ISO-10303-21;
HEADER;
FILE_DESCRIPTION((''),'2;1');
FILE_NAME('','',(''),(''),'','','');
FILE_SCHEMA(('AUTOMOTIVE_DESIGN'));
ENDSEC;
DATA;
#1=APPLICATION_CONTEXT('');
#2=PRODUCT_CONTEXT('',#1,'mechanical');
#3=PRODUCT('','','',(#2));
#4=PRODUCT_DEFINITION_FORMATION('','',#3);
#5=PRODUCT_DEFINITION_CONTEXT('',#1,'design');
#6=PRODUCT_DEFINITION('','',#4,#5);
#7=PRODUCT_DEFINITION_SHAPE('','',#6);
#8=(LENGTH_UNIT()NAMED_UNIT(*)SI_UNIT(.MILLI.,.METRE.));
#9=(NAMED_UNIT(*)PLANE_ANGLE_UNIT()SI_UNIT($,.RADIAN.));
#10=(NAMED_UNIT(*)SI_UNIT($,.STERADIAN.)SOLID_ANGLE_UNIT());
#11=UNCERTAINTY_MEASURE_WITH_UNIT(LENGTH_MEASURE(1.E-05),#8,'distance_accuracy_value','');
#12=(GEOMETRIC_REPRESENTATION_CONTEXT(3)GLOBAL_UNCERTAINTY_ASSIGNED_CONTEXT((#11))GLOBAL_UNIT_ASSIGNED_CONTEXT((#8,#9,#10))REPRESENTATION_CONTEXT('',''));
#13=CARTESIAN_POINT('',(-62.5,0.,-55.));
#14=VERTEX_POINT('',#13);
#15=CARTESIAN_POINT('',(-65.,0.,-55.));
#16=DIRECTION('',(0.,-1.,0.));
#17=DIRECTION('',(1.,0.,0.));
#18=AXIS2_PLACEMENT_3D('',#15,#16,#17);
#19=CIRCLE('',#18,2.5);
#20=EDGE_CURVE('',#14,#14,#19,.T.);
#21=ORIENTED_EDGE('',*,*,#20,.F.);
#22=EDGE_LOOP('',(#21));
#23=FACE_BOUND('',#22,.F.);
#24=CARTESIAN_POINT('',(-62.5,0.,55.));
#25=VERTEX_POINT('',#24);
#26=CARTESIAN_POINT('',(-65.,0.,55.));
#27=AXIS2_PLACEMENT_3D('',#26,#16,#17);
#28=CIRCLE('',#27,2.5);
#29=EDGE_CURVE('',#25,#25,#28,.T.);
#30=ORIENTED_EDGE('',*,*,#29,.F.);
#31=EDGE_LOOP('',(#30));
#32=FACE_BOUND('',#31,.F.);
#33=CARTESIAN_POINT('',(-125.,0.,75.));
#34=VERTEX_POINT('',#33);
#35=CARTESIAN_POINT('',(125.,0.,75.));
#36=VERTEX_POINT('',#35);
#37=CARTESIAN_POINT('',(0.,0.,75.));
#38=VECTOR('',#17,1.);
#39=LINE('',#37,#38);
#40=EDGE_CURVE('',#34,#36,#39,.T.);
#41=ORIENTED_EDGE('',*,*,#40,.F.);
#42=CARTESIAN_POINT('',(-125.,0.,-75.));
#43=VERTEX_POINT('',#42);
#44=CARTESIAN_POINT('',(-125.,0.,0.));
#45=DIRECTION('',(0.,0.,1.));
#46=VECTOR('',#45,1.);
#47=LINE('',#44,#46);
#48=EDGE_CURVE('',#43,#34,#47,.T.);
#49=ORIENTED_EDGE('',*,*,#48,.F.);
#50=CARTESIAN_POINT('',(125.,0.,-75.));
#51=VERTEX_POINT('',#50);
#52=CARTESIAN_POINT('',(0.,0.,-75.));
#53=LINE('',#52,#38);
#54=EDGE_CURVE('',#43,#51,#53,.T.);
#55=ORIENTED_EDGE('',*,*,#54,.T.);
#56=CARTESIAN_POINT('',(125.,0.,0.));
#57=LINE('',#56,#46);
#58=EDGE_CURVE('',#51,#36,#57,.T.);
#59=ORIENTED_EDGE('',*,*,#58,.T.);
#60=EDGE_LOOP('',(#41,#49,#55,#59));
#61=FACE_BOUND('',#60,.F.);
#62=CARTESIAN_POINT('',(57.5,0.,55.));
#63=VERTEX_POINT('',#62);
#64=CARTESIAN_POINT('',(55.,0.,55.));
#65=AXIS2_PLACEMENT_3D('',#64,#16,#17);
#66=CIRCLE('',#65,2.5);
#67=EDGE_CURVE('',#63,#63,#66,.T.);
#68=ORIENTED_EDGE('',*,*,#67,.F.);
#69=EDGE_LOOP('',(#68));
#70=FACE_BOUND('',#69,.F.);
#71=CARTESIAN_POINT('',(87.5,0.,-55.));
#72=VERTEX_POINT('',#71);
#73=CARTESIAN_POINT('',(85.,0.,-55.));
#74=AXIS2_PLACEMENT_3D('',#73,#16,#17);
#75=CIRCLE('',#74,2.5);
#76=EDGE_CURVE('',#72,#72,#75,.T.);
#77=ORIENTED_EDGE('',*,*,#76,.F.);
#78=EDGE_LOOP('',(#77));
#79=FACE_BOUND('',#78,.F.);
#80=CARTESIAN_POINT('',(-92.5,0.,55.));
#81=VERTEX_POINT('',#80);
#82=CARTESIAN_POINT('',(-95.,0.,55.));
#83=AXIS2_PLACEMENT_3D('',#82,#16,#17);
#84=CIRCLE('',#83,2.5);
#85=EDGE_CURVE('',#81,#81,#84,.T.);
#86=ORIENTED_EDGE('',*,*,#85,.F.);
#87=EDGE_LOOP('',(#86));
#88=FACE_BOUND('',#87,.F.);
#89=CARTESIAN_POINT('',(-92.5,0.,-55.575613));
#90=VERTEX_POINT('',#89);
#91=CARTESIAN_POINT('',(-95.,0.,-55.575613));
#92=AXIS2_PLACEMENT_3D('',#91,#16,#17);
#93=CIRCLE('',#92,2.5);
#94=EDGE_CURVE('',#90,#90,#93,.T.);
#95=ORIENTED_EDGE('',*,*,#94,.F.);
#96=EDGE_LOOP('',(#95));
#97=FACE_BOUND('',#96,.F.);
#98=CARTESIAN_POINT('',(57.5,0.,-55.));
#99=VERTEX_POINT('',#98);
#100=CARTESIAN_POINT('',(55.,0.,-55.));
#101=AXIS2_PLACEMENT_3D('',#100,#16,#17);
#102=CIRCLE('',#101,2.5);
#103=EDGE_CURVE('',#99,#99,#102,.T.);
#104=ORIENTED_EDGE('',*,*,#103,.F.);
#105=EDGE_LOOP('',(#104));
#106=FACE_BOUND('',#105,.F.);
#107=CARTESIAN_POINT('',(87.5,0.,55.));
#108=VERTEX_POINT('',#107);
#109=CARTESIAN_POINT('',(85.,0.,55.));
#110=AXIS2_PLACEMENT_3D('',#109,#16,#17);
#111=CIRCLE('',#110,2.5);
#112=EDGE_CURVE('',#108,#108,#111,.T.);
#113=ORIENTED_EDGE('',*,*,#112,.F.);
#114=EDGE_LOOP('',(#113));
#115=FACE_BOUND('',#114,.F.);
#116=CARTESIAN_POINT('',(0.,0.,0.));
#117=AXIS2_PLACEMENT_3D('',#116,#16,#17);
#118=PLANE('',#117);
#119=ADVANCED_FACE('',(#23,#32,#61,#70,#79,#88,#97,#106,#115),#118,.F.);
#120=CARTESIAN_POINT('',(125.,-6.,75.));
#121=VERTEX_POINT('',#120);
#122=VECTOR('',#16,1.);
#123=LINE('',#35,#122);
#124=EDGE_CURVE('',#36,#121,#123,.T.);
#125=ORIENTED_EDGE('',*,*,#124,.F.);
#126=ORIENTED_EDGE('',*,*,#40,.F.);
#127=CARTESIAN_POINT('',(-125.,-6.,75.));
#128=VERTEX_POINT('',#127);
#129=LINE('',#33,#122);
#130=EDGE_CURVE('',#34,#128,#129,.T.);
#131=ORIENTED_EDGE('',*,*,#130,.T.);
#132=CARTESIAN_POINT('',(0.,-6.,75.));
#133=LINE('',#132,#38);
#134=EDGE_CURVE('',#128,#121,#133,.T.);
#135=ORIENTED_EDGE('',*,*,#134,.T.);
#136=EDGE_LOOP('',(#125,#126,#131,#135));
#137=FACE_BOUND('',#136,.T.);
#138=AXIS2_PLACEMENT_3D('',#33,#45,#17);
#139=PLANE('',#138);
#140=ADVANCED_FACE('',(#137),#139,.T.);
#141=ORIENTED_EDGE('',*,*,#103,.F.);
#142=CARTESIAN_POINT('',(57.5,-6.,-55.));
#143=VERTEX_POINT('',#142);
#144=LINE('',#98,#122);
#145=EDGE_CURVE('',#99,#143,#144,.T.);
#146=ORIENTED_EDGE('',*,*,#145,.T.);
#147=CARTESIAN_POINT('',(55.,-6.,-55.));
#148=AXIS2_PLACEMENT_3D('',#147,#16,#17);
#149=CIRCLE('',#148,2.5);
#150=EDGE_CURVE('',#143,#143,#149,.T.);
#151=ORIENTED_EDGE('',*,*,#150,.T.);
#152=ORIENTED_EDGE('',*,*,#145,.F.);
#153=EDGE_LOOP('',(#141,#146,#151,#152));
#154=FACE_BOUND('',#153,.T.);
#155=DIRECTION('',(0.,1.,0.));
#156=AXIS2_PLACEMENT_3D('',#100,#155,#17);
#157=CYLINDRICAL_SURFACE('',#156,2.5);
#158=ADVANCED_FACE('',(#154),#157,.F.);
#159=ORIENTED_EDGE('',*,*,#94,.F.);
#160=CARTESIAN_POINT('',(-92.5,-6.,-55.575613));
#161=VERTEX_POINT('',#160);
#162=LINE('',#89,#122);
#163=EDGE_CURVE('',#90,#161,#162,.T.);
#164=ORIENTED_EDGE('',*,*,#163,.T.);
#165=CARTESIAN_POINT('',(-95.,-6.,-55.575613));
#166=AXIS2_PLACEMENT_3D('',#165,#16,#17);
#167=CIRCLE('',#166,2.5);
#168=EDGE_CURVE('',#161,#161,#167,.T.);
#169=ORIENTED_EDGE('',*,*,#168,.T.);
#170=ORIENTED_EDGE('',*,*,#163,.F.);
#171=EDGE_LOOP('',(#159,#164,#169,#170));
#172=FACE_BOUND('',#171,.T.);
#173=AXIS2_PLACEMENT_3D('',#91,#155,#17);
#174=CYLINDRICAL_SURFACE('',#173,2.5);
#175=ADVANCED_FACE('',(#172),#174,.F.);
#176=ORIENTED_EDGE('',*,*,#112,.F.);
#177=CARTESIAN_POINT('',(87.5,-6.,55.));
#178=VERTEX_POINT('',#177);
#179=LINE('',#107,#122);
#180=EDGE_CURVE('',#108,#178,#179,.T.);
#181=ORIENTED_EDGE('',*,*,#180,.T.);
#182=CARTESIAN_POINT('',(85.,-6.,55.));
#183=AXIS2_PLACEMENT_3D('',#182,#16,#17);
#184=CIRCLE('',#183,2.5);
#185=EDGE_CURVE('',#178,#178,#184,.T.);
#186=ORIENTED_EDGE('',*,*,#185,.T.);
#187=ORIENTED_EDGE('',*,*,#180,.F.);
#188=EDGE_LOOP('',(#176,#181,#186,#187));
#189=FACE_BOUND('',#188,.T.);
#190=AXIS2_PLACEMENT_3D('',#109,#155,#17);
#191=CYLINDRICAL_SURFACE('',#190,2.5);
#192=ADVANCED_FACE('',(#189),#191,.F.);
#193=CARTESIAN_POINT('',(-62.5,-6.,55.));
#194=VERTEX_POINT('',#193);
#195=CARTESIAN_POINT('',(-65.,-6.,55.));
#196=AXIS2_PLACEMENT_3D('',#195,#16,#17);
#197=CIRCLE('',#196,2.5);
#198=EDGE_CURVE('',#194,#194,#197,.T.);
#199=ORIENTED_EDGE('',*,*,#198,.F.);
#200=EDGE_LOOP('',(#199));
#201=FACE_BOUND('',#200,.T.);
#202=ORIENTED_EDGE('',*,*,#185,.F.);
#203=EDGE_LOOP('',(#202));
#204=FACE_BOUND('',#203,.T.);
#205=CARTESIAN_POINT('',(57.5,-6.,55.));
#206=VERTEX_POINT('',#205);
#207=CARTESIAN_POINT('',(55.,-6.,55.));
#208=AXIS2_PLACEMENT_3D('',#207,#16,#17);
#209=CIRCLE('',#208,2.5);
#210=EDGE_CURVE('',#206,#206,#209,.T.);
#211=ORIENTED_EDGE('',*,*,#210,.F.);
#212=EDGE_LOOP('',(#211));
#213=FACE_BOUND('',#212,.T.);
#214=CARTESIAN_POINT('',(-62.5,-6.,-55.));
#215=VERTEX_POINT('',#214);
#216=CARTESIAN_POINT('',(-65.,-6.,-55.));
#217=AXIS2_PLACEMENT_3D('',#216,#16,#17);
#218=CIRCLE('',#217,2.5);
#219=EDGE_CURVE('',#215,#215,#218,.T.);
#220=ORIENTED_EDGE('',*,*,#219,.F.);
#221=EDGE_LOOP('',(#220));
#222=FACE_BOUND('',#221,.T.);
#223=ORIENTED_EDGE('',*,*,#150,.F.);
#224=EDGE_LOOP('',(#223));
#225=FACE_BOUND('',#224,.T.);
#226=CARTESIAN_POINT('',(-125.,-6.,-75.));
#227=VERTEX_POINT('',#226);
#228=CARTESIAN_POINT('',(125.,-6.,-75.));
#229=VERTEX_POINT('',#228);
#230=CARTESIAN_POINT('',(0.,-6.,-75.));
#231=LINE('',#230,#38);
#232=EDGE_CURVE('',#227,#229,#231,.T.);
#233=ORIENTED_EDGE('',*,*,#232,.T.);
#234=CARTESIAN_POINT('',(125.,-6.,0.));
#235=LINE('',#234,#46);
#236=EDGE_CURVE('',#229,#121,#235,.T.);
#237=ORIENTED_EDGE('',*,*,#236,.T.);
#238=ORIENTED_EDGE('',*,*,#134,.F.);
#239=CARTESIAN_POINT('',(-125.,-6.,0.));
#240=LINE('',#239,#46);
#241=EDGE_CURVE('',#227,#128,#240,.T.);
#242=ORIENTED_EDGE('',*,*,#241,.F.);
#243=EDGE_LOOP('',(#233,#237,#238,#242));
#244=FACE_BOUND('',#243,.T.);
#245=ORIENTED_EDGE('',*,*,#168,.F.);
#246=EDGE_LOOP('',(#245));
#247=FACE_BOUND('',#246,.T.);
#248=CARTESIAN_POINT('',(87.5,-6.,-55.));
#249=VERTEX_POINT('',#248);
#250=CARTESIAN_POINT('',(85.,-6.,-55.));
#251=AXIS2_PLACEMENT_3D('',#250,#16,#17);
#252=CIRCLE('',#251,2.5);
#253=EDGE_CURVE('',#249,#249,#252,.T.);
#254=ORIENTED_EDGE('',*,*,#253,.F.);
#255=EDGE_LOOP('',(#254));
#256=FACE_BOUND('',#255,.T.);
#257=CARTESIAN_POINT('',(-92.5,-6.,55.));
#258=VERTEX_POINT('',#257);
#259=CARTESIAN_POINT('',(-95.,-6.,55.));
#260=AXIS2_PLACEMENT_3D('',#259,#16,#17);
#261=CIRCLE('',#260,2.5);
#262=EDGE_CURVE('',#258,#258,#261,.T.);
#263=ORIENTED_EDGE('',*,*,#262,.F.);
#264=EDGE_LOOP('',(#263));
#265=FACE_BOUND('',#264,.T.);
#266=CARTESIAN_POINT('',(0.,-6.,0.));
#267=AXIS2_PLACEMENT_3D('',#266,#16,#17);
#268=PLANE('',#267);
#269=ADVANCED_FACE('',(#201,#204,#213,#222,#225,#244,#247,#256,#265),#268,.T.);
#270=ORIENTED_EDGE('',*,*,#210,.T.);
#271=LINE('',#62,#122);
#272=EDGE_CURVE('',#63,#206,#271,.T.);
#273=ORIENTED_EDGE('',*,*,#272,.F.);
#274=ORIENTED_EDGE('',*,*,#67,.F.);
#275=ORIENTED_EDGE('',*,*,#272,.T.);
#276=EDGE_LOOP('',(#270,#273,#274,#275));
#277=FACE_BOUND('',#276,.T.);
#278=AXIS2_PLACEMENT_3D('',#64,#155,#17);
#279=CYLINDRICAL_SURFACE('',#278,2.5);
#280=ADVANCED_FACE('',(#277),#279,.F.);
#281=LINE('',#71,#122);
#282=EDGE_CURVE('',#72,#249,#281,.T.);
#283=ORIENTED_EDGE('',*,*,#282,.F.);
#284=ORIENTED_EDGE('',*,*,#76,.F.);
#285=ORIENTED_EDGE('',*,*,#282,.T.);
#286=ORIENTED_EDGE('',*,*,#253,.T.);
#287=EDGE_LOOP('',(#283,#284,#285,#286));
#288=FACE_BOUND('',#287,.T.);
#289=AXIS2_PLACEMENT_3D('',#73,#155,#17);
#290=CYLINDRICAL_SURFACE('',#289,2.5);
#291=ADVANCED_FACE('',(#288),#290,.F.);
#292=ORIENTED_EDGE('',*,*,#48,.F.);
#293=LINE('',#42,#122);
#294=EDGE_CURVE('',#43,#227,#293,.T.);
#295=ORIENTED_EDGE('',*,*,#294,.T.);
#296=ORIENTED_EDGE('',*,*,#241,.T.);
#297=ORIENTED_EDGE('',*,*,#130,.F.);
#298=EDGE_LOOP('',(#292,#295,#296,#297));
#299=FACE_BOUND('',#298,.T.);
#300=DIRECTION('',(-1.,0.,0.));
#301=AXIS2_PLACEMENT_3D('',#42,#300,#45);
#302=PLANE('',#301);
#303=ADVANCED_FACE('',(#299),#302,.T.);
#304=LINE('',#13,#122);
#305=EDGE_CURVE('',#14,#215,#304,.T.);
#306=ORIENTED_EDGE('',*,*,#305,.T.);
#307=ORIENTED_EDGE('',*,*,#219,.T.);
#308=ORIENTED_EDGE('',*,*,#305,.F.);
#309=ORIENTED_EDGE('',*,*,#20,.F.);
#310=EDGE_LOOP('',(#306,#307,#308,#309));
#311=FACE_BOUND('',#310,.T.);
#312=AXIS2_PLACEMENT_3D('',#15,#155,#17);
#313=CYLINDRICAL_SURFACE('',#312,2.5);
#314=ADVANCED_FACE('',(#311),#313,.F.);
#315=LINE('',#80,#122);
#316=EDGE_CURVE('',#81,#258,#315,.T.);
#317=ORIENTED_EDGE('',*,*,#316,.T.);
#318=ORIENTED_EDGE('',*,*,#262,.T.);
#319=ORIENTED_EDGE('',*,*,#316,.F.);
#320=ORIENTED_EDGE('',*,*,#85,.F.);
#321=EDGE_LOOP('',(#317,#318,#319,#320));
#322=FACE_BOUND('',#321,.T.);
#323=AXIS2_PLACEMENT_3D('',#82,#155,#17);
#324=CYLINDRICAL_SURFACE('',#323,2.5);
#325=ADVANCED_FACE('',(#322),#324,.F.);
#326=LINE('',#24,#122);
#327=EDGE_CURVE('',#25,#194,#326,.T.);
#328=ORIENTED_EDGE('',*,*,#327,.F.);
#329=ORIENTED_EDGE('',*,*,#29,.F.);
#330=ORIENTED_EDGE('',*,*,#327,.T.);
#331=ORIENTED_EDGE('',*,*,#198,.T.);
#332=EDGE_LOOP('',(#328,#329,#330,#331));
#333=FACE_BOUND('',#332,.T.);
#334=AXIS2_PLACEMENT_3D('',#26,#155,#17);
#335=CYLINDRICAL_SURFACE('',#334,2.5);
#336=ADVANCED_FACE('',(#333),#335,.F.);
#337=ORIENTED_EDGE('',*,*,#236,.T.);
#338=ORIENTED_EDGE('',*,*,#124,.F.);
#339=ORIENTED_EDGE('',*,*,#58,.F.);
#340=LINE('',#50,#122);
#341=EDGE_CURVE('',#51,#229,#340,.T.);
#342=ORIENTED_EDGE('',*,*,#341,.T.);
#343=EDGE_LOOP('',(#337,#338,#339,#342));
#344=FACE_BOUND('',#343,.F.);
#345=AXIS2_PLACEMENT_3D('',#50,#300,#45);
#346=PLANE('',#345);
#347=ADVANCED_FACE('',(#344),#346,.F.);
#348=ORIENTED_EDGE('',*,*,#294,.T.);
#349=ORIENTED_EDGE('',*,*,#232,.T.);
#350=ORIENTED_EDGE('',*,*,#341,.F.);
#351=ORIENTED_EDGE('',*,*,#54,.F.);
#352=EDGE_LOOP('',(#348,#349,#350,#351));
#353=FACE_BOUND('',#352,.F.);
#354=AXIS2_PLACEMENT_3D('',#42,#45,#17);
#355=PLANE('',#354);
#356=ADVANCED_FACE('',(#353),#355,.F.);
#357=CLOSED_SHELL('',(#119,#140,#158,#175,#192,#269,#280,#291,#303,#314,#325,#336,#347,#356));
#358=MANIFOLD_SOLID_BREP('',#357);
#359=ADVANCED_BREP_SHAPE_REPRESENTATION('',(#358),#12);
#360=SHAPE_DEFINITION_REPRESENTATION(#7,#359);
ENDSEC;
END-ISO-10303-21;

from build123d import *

# Parameters (mm, degrees)
F1_W     = 250
F1_H     = 150
F1_R     = 2.5
F2_DEPTH = 6


with BuildPart() as f2:
    # F1 (on face) → F2 (new body)
    with BuildSketch(Plane.XZ):
        Rectangle(F1_W, F1_H)
        with Locations((-95, -55.575613)):
            Circle(F1_R, mode=Mode.SUBTRACT)
        with Locations((-65, -55)):
            Circle(F1_R, mode=Mode.SUBTRACT)
        with Locations((55, -55)):
            Circle(F1_R, mode=Mode.SUBTRACT)
        with Locations((85, -55)):
            Circle(F1_R, mode=Mode.SUBTRACT)
        with Locations((-95, 55)):
            Circle(F1_R, mode=Mode.SUBTRACT)
        with Locations((-65, 55)):
            Circle(F1_R, mode=Mode.SUBTRACT)
        with Locations((55, 55)):
            Circle(F1_R, mode=Mode.SUBTRACT)
        with Locations((85, 55)):
            Circle(F1_R, mode=Mode.SUBTRACT)
    extrude(amount=F2_DEPTH)


solid = f2.part
